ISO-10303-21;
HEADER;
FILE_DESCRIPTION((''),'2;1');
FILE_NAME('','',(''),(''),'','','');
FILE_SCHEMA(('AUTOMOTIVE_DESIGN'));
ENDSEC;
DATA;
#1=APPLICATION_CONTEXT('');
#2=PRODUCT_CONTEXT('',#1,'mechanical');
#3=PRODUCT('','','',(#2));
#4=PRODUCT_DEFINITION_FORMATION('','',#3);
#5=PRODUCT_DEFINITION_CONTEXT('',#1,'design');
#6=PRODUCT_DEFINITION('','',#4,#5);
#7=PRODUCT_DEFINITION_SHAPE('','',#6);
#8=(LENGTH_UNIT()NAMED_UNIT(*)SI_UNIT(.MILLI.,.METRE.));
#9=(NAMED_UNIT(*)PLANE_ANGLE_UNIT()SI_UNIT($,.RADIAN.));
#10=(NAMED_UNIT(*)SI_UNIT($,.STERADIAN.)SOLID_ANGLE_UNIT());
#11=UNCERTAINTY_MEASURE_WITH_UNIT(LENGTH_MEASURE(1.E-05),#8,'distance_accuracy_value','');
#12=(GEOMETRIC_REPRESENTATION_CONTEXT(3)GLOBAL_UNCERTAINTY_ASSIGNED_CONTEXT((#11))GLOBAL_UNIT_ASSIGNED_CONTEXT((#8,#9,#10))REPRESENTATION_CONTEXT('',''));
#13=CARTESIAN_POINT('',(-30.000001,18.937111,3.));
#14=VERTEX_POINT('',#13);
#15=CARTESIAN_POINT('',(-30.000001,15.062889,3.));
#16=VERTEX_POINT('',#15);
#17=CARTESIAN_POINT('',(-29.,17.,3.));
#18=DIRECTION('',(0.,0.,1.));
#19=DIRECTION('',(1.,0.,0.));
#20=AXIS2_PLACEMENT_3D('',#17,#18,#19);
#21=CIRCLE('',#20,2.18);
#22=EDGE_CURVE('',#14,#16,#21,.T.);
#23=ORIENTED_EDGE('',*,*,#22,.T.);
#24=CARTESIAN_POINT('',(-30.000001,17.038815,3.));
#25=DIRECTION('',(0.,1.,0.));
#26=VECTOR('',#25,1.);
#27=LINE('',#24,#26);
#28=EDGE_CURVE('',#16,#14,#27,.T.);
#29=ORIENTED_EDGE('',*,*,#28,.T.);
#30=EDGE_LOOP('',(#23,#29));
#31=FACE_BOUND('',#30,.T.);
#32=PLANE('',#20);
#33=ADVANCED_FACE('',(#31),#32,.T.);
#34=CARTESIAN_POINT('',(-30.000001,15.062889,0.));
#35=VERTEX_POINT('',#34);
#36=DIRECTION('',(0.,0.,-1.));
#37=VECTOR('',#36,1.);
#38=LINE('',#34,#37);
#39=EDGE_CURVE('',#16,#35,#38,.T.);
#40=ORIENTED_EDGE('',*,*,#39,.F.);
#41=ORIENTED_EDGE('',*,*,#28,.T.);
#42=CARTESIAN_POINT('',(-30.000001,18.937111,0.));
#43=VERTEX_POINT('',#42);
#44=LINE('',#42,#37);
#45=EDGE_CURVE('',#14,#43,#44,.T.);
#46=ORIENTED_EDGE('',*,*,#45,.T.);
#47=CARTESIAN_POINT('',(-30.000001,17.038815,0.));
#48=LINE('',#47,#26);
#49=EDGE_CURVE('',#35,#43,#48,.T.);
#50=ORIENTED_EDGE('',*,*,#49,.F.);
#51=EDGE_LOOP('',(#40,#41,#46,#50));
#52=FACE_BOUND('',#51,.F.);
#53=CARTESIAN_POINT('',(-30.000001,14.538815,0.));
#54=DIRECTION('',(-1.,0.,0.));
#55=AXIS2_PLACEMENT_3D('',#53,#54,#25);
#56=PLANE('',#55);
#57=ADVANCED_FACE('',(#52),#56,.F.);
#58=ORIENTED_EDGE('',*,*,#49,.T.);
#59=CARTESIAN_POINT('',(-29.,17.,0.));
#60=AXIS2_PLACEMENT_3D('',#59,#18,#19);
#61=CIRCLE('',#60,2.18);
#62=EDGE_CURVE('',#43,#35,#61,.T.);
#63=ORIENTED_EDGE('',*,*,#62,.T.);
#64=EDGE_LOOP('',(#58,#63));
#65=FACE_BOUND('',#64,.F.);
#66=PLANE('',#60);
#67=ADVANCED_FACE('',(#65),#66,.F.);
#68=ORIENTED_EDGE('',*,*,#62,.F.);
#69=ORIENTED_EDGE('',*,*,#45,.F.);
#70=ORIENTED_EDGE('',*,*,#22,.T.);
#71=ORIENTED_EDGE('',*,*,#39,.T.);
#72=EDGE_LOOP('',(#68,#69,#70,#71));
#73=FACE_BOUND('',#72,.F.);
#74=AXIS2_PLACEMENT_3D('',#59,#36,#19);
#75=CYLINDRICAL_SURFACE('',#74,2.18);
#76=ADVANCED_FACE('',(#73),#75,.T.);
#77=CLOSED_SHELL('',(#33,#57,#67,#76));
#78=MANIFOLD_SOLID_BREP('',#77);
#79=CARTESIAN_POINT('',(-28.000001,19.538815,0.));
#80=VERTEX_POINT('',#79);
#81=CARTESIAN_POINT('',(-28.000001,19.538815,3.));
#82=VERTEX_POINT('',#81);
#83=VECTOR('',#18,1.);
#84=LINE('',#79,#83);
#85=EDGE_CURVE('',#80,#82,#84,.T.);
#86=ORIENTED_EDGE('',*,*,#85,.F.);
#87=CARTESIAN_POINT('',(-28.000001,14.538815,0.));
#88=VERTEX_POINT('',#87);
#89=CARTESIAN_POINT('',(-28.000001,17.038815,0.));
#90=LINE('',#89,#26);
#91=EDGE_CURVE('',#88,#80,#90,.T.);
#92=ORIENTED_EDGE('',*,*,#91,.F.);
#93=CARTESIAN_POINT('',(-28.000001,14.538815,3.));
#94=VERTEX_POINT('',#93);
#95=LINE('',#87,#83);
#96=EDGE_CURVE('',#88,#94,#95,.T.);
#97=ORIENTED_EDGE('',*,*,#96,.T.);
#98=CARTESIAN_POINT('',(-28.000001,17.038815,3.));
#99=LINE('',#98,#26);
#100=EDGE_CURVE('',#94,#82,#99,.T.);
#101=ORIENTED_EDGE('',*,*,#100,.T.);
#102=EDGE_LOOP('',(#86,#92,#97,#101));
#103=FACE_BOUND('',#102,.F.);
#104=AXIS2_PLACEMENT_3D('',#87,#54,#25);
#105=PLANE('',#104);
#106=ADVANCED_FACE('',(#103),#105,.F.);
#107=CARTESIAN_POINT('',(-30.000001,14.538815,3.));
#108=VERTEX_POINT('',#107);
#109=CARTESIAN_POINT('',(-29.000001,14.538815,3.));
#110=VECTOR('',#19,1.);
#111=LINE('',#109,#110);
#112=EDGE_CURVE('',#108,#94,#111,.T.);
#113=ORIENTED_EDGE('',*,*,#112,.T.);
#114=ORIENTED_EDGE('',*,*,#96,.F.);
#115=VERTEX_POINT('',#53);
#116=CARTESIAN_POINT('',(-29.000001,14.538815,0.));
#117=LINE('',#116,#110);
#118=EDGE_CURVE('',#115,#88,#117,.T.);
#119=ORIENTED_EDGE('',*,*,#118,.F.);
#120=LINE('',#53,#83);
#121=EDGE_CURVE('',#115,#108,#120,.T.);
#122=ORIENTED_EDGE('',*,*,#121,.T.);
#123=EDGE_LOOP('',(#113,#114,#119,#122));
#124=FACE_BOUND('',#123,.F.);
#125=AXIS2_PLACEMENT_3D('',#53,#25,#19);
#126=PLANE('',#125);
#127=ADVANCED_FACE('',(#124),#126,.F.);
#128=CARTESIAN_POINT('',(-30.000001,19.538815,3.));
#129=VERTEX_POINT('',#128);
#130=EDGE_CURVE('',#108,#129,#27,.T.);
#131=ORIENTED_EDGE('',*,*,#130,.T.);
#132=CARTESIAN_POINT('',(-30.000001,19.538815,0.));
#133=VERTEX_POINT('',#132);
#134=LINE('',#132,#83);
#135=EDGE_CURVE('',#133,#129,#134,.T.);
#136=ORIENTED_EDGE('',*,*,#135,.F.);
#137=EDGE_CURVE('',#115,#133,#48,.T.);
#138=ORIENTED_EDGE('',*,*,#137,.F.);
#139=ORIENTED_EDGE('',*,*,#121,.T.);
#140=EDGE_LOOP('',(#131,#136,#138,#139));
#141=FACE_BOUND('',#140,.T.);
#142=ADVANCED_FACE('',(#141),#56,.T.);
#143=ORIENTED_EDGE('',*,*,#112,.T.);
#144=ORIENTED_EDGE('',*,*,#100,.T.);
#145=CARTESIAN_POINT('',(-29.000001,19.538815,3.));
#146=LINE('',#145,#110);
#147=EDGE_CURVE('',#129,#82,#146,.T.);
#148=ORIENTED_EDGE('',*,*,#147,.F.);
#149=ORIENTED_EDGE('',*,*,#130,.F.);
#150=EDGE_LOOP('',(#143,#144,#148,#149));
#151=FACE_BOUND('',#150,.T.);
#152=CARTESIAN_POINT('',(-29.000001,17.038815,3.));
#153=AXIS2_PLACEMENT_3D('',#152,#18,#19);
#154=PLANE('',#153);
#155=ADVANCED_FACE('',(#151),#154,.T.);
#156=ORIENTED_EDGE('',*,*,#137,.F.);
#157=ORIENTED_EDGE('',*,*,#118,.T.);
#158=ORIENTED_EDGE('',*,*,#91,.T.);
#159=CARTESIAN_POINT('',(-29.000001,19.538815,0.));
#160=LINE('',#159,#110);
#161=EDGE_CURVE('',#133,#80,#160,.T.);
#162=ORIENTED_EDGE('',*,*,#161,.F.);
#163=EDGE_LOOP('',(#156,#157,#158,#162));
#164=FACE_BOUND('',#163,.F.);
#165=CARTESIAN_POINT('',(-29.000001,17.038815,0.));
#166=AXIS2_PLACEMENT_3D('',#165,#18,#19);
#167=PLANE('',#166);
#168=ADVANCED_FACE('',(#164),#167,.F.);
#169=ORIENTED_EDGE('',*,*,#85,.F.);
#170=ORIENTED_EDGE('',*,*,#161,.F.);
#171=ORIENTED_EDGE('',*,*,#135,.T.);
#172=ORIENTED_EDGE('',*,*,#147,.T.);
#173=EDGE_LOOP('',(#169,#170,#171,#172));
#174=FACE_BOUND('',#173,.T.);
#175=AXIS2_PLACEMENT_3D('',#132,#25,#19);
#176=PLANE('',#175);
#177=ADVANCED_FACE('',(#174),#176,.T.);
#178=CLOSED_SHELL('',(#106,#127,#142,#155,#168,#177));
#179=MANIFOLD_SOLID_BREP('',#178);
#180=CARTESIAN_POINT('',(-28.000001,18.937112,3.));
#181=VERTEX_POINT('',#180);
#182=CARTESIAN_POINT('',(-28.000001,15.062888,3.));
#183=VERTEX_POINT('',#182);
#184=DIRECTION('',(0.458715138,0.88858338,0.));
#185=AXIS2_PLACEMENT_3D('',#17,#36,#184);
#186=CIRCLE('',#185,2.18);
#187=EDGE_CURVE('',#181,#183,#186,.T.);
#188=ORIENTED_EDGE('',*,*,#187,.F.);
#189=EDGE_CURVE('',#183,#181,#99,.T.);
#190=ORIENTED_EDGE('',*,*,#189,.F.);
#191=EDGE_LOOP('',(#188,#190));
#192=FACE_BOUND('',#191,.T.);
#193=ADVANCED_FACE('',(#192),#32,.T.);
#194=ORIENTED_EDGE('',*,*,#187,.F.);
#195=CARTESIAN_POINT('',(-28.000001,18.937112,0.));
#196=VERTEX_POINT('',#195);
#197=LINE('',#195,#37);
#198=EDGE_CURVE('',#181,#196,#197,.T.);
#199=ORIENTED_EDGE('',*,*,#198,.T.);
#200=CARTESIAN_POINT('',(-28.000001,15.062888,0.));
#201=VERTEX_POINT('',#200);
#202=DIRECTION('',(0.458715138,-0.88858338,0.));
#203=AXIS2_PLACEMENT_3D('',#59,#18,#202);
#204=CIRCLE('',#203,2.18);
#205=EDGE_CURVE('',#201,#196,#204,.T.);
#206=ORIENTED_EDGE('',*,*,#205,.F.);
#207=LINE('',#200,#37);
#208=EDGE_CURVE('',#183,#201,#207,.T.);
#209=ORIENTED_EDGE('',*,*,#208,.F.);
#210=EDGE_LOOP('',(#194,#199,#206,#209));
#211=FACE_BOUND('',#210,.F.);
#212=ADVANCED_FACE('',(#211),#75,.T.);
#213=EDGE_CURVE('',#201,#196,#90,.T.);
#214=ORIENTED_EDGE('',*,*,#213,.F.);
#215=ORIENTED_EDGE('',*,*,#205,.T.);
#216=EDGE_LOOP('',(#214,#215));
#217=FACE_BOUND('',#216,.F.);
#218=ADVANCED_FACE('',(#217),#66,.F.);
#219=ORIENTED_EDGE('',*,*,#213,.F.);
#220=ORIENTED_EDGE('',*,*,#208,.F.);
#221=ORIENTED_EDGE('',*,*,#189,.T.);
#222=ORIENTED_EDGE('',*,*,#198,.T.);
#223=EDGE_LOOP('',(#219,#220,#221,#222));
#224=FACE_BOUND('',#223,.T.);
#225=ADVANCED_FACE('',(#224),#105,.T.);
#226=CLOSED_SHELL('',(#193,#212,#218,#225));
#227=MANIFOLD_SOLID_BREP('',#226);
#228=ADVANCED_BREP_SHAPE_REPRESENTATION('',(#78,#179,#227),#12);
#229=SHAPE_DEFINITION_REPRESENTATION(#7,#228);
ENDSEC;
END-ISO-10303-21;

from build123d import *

# Parameters (mm, degrees)
SKETCH001_W      = 2
SKETCH001_H      = 5
EXTRUDE002_DEPTH = 3
EXTRUDE001_DEPTH = 3
SKETCH_R         = 2.18
EXTRUDE_DEPTH    = 3


with BuildPart() as extrude002:
    # Sketch001 → Extrude002 (new body)
    with BuildSketch(Plane.XY):
        with Locations((-29.000001, 17.038815)):
            Rectangle(SKETCH001_W, SKETCH001_H)
    extrude(amount=EXTRUDE002_DEPTH)


with BuildPart() as extrude001:
    # Sketch001 → Extrude001 (new body)
    with BuildSketch(Plane.XY):
        with Locations((-29.000001, 17.038815)):
            Rectangle(SKETCH001_W, SKETCH001_H)
    extrude(amount=EXTRUDE001_DEPTH)


with BuildPart() as cut:
    # Sketch → Extrude (new body)
    with BuildSketch(Plane.XY):
        with Locations((-29, 17)):
            Circle(SKETCH_R)
    extrude(amount=EXTRUDE_DEPTH)

    # Cut: cut Extrude001
    add(extrude001.part, mode=Mode.SUBTRACT)


solid = Compound([extrude002.part, cut.part])
